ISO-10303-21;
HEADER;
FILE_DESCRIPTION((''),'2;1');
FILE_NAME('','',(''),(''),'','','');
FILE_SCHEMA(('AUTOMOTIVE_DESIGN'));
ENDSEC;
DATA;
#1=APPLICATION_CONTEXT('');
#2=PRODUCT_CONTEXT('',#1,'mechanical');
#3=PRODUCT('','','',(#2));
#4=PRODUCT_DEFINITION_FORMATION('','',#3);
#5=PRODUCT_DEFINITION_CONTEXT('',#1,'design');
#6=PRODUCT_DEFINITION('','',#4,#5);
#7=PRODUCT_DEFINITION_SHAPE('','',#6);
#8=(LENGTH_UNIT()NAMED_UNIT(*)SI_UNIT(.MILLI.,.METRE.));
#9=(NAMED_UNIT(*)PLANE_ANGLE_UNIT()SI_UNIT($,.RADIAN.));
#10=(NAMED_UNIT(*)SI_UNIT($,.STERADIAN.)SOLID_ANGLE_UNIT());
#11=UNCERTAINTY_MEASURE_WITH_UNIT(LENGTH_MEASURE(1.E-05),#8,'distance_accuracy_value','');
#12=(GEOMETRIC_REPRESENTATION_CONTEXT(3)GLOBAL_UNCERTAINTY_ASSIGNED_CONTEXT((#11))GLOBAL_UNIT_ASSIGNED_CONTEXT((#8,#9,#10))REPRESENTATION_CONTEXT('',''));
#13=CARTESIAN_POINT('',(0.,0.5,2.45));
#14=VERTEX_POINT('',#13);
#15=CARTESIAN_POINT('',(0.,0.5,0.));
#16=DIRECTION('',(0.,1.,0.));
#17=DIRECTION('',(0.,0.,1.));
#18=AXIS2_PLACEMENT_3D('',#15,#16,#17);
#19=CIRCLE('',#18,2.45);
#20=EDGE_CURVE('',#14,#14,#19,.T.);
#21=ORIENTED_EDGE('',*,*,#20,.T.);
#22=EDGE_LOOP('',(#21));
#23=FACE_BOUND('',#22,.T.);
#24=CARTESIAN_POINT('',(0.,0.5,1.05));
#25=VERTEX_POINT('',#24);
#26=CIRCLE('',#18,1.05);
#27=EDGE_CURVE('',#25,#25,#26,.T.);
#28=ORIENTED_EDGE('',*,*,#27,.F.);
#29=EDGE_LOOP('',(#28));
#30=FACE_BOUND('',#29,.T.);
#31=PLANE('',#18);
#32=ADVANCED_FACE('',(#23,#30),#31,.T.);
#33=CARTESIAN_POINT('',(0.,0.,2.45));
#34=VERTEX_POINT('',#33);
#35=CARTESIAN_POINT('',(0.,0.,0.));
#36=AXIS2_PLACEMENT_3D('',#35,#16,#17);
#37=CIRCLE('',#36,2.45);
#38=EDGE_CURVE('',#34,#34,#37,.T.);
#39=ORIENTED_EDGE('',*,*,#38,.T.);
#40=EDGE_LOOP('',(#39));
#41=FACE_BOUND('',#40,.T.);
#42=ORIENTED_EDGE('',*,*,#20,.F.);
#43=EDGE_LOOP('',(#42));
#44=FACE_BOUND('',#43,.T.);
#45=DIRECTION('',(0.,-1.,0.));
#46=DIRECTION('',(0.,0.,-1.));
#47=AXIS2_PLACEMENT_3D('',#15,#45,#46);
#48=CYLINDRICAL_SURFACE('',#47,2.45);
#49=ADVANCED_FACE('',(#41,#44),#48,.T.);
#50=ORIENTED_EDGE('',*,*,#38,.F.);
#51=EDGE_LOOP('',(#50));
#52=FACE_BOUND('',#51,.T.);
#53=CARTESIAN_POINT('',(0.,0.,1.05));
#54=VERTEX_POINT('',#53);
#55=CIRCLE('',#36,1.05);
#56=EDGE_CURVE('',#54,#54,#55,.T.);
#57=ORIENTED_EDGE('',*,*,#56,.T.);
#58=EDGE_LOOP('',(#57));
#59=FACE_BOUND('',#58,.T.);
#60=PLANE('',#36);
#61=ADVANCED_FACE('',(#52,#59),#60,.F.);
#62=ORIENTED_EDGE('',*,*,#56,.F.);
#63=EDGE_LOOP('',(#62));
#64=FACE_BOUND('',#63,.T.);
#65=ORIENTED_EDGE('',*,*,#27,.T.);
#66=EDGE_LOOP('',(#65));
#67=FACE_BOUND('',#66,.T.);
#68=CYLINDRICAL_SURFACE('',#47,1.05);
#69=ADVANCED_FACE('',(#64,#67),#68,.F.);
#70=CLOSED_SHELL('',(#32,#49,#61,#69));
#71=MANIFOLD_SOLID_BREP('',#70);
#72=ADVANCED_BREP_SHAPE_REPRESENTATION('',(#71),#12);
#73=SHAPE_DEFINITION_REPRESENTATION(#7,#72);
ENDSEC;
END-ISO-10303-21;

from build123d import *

# Parameters (mm, degrees)
SKETCH1_R           = 2.45
SKETCH1_R_2         = 1.05
BOSS_EXTRUDE1_DEPTH = 0.5


with BuildPart() as part:
    # Sketch1 → Boss-Extrude1 (new body)
    with BuildSketch(Plane(origin=(0, 0, 0), x_dir=(1, 0, 0), z_dir=(0, 1, 0))):
        with Locations(Location((0, 0, 0), (0, 0, 270))):
            Circle(SKETCH1_R)
        with Locations(Location((0, 0, 0), (0, 0, 270))):
            Circle(SKETCH1_R_2, mode=Mode.SUBTRACT)
    extrude(amount=BOSS_EXTRUDE1_DEPTH)


solid = part.part
